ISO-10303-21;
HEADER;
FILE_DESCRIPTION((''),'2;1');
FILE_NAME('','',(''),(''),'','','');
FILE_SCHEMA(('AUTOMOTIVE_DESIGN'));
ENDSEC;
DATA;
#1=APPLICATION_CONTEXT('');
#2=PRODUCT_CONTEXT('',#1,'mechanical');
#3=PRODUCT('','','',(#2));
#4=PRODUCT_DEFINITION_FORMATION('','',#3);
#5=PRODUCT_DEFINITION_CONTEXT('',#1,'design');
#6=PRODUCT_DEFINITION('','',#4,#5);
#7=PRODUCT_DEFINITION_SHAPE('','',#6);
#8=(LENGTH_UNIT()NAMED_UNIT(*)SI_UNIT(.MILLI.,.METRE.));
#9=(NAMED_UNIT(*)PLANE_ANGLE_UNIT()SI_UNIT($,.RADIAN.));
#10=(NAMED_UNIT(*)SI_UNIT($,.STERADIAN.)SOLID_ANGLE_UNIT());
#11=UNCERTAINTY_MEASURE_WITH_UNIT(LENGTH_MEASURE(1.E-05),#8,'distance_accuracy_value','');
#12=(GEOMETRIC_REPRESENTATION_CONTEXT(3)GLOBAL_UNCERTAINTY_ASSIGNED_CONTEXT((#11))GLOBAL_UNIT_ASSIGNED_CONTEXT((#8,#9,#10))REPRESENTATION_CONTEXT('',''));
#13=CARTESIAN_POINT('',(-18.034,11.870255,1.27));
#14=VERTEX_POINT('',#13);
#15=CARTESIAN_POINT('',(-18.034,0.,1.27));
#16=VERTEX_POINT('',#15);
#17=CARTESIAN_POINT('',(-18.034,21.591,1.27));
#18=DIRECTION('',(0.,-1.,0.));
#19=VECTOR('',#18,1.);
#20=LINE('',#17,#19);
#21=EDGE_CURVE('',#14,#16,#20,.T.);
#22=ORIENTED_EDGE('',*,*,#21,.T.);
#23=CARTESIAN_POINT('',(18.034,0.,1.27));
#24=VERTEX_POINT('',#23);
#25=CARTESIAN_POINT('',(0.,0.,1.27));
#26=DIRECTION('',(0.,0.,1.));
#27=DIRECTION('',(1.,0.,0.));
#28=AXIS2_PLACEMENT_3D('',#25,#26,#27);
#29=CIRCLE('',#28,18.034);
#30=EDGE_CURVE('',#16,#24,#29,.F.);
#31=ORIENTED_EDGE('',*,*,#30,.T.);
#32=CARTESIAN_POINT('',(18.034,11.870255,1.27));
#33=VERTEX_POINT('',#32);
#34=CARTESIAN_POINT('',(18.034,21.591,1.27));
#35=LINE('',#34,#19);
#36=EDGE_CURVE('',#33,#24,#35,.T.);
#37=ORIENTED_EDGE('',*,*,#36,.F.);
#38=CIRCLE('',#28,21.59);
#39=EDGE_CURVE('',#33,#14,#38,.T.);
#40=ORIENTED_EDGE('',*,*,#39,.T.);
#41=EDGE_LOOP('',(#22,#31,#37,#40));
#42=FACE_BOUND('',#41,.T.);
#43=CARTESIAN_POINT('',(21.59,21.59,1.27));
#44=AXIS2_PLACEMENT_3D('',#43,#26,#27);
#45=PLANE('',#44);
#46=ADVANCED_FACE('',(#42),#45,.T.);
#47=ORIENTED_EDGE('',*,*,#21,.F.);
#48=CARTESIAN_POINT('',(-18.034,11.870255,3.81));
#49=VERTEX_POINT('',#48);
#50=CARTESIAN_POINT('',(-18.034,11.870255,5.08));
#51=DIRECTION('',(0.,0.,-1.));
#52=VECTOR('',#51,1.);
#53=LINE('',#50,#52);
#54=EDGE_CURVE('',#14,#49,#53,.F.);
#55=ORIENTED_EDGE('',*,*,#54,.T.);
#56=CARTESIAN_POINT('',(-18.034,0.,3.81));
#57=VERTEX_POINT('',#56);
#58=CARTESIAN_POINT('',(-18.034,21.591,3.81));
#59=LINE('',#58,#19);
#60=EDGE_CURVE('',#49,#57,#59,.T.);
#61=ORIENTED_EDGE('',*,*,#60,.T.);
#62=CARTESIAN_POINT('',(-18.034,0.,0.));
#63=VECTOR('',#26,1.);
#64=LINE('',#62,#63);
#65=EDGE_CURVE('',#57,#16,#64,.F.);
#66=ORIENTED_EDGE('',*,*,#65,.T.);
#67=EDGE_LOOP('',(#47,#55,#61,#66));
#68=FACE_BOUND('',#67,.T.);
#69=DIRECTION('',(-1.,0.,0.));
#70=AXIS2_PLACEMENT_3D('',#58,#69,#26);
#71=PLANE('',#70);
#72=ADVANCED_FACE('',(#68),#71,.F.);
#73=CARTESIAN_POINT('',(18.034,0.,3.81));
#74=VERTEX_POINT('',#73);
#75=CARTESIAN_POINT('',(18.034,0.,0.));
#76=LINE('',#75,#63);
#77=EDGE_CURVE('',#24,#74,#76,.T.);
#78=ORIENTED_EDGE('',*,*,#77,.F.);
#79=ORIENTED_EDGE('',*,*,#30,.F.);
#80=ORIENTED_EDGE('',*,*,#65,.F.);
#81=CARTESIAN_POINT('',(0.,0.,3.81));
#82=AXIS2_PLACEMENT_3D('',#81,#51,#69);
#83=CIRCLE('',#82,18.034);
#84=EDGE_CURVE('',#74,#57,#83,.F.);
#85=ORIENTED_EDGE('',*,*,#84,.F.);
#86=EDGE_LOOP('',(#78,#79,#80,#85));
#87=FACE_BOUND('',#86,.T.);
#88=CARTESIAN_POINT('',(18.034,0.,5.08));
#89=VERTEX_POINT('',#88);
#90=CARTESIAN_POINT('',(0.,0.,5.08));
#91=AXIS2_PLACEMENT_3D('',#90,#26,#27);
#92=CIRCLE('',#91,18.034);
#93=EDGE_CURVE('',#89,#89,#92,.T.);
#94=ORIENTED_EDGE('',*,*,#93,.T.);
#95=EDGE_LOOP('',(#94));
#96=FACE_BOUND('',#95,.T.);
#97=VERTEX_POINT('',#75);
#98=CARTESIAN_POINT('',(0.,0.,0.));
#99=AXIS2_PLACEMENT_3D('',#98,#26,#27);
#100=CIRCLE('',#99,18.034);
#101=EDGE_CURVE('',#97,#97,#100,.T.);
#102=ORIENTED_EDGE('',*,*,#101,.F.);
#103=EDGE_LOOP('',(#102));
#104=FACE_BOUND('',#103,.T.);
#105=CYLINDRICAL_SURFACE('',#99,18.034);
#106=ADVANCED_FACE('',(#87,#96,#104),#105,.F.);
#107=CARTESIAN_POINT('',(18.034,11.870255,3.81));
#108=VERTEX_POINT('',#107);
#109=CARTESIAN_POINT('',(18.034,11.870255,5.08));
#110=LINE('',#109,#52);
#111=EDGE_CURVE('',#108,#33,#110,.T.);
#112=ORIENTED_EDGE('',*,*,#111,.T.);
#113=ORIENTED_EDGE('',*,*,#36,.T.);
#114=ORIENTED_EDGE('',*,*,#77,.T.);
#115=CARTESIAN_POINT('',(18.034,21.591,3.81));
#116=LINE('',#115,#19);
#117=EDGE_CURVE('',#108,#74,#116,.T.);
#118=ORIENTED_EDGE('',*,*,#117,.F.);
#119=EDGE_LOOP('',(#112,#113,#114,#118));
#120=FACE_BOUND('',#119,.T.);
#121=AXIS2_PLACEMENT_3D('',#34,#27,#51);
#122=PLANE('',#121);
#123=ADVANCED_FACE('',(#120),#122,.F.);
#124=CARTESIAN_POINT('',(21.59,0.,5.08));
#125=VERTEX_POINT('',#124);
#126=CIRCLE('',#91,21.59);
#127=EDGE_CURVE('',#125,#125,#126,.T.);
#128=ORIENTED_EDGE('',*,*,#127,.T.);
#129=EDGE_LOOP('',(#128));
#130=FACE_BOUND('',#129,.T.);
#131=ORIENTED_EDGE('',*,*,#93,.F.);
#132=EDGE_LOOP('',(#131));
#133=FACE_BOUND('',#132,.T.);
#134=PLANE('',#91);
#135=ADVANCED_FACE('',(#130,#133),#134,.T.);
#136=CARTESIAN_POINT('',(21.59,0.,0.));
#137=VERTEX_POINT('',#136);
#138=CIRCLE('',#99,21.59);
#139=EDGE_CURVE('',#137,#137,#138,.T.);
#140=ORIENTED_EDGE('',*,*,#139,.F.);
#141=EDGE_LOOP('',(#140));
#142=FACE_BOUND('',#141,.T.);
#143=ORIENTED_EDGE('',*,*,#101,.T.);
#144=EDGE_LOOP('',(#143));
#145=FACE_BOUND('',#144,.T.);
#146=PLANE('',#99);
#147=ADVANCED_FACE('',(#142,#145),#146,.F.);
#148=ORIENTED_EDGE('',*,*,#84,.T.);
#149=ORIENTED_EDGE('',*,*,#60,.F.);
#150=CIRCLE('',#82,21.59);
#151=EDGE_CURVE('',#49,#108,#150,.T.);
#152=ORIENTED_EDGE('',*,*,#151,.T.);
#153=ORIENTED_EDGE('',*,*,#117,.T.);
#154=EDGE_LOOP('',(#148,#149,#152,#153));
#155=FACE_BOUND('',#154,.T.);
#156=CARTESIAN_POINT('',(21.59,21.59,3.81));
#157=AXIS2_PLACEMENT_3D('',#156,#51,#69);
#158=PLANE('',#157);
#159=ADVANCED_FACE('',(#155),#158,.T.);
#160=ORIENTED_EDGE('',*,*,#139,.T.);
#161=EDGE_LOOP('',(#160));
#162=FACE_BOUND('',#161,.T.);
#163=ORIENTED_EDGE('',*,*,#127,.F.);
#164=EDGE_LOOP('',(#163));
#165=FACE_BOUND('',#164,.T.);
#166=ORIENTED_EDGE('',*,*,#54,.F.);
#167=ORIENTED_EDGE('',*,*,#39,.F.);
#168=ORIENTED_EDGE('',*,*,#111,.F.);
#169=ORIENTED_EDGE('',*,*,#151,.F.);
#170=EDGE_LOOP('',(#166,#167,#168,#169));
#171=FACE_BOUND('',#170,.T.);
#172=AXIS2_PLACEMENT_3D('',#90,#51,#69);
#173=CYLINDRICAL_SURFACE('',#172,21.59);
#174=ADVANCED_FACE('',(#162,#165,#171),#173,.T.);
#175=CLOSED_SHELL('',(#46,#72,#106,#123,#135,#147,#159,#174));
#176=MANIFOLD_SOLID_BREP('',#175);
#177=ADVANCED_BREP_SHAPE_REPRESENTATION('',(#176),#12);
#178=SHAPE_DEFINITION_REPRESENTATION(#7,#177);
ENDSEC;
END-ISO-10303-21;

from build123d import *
from build123d.topology import SkipClean

# Parameters (mm, degrees)
SKETCH1_R                = 21.59
BOSS_EXTRUDE1_DEPTH      = 5.08
SKETCH4_R                = 18.034
CUT_EXTRUDE1_DEPTH       = 31.952586322
SKETCH5_W                = 43.18
SKETCH5_H                = 2.54
CUT_EXTRUDE2_DEPTH       = 31.952586322
BOSS_EXTRUDE2_REACH      = 32.953
BOSS_EXTRUDE2_END_RADIUS = 21.59
SKETCH6_W                = 3.556
SKETCH6_H                = 2.54


with BuildPart() as part:
    # Sketch1 → Boss-Extrude1 (new body)
    with BuildSketch(Plane.XY):
        Circle(SKETCH1_R)
    extrude(amount=BOSS_EXTRUDE1_DEPTH)

    # Sketch4 → Cut-Extrude1 (cut, through all)
    with BuildSketch(Plane.XY.offset(5.08)):
        Circle(SKETCH4_R)
    extrude(amount=-CUT_EXTRUDE1_DEPTH, mode=Mode.SUBTRACT)

    # Sketch5 → Cut-Extrude2 (cut, through all)
    with BuildSketch(Plane(origin=(0, 0, 0), x_dir=(1, 0, 0), z_dir=(0, 1, 0))):
        with Locations((0, -2.54)):
            Rectangle(SKETCH5_W, SKETCH5_H)
    extrude(amount=CUT_EXTRUDE2_DEPTH, mode=Mode.SUBTRACT)

    # Boss-Extrude2: up to this cylinder (the profile starts inside it)
    with SkipClean():  # the faces are left unmerged after this step: merging them gives an invalid solid
        boss_extrude2_end = Plane(origin=(0, 0, 2.54), z_dir=(0, 0, -1)) * Cylinder(BOSS_EXTRUDE2_END_RADIUS, 110.086, mode=Mode.PRIVATE)
        # Sketch6 → Boss-Extrude2 (add, up to the surface)
        with BuildSketch(Plane(origin=(0, 0, 0), x_dir=(1, 0, 0), z_dir=(0, 1, 0)), mode=Mode.PRIVATE) as boss_extrude2_sk1:
            with Locations((-19.812, -2.54)):
                Rectangle(SKETCH6_W, SKETCH6_H)
        boss_extrude2_tool1 = extrude(boss_extrude2_sk1.sketch, amount=BOSS_EXTRUDE2_REACH, mode=Mode.PRIVATE) & boss_extrude2_end
        add(boss_extrude2_tool1.solids().sort_by_distance((-19.812, 0, 2.54))[0])
        # Sketch6 → Boss-Extrude2 (add, up to the surface)
        with BuildSketch(Plane(origin=(0, 0, 0), x_dir=(1, 0, 0), z_dir=(0, 1, 0)), mode=Mode.PRIVATE) as boss_extrude2_sk2:
            with Locations((19.812, -2.54)):
                Rectangle(SKETCH6_W, SKETCH6_H)
        boss_extrude2_tool2 = extrude(boss_extrude2_sk2.sketch, amount=BOSS_EXTRUDE2_REACH, mode=Mode.PRIVATE) & boss_extrude2_end
        add(boss_extrude2_tool2.solids().sort_by_distance((19.812, 0, 2.54))[0])


solid = part.part
